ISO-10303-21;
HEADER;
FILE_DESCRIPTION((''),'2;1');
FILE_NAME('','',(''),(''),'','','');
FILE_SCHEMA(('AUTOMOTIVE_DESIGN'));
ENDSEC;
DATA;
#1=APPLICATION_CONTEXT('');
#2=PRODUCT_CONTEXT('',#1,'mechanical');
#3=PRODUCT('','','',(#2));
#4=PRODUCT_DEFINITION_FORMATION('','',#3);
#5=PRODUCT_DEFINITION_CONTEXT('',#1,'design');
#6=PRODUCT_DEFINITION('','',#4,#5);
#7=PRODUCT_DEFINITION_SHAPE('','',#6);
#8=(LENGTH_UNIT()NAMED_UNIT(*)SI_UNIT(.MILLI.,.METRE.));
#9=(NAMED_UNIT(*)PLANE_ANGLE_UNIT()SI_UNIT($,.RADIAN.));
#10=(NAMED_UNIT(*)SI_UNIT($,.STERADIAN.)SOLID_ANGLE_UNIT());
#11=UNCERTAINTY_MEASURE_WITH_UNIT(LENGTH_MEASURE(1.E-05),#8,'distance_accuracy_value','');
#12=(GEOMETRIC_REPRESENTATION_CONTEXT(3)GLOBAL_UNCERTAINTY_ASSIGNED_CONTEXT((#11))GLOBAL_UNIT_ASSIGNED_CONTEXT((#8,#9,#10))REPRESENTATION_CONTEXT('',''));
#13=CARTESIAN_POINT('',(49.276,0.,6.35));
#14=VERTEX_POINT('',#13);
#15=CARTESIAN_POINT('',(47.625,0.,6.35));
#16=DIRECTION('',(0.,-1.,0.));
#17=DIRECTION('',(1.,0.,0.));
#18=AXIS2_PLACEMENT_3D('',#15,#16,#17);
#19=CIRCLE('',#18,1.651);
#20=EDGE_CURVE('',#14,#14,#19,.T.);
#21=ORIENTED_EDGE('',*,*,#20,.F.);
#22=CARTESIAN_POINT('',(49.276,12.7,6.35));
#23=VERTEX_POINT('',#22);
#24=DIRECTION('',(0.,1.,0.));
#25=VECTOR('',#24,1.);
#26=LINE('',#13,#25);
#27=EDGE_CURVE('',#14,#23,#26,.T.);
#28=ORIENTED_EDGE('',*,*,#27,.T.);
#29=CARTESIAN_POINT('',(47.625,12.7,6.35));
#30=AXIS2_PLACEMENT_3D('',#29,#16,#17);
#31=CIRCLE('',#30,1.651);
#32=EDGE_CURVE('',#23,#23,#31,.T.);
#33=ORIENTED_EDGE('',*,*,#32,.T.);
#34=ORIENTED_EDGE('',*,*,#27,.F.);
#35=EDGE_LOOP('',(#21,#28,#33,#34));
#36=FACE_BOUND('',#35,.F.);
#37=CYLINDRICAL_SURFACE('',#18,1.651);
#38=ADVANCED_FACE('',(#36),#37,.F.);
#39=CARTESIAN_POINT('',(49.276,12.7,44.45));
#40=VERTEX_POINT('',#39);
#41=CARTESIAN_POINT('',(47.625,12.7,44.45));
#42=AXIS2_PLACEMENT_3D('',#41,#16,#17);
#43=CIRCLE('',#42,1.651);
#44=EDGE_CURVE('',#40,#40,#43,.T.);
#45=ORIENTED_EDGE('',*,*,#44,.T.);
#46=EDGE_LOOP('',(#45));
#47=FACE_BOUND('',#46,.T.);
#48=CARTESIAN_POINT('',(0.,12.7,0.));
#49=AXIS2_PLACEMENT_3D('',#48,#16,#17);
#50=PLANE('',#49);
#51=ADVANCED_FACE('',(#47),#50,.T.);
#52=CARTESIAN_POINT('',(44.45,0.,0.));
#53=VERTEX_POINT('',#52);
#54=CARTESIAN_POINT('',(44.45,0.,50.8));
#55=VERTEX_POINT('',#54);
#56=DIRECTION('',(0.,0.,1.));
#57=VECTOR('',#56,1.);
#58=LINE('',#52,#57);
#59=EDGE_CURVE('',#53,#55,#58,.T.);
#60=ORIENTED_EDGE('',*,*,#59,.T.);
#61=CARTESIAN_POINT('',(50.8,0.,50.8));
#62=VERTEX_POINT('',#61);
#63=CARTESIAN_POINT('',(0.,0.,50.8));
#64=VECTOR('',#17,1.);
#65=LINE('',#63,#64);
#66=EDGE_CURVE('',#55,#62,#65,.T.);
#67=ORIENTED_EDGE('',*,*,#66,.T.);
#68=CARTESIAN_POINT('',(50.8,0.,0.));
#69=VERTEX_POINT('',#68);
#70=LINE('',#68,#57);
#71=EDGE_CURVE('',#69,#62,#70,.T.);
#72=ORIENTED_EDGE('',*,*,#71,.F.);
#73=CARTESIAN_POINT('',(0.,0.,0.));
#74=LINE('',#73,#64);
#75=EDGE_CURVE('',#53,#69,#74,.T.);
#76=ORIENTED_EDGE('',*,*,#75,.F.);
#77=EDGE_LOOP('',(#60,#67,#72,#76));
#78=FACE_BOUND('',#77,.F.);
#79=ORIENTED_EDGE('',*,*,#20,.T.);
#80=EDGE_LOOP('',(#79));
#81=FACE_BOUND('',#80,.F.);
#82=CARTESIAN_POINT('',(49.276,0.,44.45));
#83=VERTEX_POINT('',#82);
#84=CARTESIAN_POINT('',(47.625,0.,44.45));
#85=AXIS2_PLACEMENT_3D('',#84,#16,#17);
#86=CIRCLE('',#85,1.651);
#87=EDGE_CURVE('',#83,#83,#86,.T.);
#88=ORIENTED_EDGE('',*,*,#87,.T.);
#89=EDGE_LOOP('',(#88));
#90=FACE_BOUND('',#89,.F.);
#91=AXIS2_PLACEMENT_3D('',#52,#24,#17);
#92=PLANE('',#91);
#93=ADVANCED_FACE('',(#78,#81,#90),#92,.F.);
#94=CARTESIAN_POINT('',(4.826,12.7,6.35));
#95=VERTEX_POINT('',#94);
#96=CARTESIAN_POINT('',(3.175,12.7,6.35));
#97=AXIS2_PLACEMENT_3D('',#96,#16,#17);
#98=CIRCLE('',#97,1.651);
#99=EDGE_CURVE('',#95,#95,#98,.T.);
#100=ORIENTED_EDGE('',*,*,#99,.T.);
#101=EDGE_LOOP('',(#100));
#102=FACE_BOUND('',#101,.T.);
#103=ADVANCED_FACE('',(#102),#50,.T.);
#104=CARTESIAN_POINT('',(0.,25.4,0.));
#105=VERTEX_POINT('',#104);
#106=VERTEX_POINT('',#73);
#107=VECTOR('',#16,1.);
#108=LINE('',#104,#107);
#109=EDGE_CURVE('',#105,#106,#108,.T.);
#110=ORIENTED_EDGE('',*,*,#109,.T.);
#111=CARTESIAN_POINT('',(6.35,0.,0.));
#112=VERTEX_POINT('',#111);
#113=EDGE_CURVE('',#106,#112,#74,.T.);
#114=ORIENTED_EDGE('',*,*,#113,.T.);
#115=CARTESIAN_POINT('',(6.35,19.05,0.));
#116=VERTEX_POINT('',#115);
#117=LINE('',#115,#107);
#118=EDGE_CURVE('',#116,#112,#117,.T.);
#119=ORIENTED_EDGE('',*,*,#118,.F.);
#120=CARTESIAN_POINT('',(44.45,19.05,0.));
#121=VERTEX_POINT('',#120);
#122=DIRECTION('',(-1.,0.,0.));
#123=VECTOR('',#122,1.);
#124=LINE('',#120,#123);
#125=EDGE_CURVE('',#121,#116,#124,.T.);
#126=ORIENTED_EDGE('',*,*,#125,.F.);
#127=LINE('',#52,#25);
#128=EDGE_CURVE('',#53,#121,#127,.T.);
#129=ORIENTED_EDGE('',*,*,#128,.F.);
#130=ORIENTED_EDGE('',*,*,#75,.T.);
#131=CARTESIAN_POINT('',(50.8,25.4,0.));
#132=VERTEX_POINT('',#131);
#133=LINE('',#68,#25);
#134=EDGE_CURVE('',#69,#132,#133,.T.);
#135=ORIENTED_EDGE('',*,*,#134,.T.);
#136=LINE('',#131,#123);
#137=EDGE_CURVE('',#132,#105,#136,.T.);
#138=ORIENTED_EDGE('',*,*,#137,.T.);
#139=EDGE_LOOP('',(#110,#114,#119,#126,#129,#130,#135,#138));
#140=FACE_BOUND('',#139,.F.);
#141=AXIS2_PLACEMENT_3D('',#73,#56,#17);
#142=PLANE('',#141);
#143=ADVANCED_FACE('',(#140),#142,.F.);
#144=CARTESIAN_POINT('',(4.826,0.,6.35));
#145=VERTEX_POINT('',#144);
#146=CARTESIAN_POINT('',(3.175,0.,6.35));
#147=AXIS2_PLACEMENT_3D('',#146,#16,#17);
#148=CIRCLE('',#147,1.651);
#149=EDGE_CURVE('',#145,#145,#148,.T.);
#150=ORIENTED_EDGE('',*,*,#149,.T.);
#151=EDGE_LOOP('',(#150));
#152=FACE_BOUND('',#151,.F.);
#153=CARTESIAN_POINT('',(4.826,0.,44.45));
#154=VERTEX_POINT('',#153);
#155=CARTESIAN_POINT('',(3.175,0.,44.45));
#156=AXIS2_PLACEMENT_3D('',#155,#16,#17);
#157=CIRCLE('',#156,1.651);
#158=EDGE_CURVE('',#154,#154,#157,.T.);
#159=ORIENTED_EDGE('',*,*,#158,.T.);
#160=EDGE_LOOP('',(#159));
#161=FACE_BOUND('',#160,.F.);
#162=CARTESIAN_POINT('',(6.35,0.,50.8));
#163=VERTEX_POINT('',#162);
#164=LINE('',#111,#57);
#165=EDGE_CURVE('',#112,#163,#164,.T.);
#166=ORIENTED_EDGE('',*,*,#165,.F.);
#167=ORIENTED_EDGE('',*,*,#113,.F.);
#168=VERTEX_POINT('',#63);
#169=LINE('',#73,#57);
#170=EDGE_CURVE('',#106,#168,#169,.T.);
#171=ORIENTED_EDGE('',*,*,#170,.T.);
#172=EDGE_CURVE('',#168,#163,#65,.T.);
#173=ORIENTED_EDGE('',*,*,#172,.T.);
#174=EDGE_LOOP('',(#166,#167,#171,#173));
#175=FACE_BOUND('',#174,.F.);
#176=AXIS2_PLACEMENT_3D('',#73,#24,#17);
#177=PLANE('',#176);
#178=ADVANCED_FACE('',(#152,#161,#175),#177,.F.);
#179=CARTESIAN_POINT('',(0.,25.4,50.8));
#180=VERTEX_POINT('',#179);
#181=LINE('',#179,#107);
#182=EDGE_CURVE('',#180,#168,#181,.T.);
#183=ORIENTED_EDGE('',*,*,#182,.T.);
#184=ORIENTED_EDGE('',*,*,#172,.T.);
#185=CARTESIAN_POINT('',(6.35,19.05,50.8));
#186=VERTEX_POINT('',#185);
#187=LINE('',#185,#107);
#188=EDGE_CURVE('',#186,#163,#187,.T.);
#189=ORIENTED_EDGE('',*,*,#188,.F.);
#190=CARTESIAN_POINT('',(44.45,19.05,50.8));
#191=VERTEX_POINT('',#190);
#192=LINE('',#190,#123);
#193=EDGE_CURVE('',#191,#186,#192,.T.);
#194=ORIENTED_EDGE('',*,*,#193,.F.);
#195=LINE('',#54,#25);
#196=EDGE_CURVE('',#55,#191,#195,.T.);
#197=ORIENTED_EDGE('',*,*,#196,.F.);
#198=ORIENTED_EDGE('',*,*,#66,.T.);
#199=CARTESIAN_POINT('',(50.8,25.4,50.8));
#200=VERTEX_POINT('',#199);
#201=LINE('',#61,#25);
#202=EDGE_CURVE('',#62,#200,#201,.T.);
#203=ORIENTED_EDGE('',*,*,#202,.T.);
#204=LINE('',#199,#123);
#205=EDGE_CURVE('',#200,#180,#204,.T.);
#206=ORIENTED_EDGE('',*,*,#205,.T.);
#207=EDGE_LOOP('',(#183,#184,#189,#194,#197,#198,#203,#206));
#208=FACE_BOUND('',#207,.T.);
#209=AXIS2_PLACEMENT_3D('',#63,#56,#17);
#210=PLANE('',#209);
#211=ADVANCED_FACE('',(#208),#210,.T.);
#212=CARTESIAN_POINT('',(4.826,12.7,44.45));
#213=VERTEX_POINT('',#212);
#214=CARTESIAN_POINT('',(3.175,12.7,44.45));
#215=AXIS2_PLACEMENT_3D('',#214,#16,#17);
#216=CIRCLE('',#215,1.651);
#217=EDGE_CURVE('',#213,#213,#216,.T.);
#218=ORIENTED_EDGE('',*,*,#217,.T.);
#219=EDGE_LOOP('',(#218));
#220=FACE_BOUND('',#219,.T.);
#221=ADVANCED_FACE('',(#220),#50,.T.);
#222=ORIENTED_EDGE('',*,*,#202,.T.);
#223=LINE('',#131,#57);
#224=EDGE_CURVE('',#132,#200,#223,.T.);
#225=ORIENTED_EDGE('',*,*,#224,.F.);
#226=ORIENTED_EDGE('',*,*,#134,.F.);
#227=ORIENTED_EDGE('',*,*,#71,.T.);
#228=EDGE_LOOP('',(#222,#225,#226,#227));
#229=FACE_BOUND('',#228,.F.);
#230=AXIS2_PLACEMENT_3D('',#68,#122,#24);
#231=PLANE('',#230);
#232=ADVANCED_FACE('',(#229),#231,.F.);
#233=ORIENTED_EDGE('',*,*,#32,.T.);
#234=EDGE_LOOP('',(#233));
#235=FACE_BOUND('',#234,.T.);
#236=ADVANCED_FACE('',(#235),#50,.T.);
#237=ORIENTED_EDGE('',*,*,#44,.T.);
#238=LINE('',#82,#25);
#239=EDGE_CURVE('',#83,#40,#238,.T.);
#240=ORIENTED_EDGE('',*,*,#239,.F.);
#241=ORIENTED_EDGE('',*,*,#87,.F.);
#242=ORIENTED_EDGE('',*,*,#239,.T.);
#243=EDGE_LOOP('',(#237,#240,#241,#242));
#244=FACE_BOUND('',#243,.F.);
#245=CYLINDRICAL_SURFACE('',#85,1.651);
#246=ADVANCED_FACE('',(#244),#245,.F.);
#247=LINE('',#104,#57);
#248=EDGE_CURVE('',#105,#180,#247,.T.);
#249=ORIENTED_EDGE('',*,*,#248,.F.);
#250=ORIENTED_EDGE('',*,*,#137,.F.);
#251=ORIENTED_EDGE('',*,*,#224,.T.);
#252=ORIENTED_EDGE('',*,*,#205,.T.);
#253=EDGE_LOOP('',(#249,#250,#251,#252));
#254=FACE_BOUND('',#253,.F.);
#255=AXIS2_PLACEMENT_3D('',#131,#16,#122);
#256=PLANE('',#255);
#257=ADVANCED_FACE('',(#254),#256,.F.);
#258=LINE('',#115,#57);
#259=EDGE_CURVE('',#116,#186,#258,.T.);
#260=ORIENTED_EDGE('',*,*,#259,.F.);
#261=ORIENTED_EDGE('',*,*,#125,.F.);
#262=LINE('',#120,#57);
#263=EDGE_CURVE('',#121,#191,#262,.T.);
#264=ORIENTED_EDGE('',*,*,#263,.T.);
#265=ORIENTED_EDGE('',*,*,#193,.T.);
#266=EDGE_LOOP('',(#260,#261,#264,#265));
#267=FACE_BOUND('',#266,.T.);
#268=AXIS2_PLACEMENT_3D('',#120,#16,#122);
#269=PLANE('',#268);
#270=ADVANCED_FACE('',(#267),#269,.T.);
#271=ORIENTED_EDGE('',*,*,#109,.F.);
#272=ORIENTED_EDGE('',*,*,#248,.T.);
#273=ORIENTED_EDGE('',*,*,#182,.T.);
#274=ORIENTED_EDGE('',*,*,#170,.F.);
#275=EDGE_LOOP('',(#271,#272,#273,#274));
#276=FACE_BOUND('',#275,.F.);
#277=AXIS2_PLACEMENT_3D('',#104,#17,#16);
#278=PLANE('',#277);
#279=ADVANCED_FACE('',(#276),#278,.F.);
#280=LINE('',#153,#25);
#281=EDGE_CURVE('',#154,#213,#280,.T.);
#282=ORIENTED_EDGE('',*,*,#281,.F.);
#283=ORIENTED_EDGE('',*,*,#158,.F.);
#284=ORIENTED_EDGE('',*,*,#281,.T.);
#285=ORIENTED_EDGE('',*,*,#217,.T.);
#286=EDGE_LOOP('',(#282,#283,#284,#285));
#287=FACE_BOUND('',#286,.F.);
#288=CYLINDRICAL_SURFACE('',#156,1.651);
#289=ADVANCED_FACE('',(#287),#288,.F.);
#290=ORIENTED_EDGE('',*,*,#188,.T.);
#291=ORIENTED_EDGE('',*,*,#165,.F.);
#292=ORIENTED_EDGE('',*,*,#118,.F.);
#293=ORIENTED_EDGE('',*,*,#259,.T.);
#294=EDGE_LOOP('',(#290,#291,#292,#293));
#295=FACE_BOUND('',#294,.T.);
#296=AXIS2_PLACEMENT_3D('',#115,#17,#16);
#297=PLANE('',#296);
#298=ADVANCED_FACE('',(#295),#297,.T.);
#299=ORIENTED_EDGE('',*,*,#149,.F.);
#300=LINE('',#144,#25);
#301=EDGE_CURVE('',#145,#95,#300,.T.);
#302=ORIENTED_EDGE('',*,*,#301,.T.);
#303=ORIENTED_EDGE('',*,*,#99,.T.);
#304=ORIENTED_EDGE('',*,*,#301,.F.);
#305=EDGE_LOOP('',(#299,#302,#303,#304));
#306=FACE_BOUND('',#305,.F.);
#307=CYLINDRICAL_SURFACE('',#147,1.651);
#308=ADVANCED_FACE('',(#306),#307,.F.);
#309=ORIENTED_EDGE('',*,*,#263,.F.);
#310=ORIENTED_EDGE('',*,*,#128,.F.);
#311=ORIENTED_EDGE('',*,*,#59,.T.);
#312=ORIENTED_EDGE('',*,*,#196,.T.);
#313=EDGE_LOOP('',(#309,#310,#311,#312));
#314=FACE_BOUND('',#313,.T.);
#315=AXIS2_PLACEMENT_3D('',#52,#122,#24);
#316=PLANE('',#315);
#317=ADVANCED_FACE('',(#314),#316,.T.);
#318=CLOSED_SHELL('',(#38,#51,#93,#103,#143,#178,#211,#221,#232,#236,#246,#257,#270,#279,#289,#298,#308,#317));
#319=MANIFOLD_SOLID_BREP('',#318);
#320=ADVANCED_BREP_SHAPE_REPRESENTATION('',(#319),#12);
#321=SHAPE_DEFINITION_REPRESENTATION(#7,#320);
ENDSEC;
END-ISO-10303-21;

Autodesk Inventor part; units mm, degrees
ref_plane "YZ Plane" through (0, 0, 0) normal (1, 0, 0) x (0, 1, 0)
ref_plane "XZ Plane" through (0, 0, 0) normal (0, 1, 0) x (-1, 0, 0)
ref_plane "XY Plane" through (0, 0, 0) normal (0, 0, 1) x (1, 0, 0)
sketch "Sketch1" plane through (0, 0, 0) normal (0, 1, 0) x (-1, 0, 0)
  point P0 (0, 0)
sketch "Sketch2" plane through (0, 0, 0) normal (0, 0, 1) x (1, 0, 0)
  line L0 (0, 0) -> (50.8, 0)
  line L1 (50.8, 0) -> (50.8, 25.4)
  line L2 (50.8, 25.4) -> (0, 25.4)
  line L3 (0, 25.4) -> (0, 0)
  line L4 (6.35, 0) -> (44.45, 0)
  line L5 (44.45, 0) -> (44.45, 19.05)
  line L6 (44.45, 19.05) -> (6.35, 19.05)
  line L7 (6.35, 19.05) -> (6.35, 0)
  dimension "d0" = 6.35
  dimension "d1" = 6.35
  dimension "d2" = 6.35
  dimension "d3" = 38.1
  dimension "d4" = 25.4
extrude "Extrusion1" add sketch "Sketch2" along normal blind 50.8 contours L3 L2 L1 L0 L5 L6 L7
ref_plane "Work Plane1" through (25.4, 0, 0) normal (1, 0, 0) x (0, 0, -1)
sketch "Sketch4" plane through (0, 0, 0) normal (0, -1, 0) x (1, 0, 0)
  circle A0 centre (3.175, 44.45) radius 1.651
  line L0 (6.35, 0) -> (6.35, 50.8) projected
  line L1 (0, 50.8) -> (6.35, 50.8) projected
  circle A1 centre (3.175, 6.35) radius 1.651
  line L2 (0, 0) -> (6.35, 0) projected
  line L3 (50.8, 50.8) -> (0, 50.8) projected
  line L4 (25.4, 50.8) -> (25.4, 0)
  line L5 (50.8, 0) -> (0, 0) projected
  circle A2 centre (47.625, 44.45) radius 1.651
  circle A3 centre (47.625, 6.35) radius 1.651
  dimension "d13" = 3.302
  dimension "d14" = 3.175
  dimension "d15" = 6.35
  dimension "d16" = 3.302
  dimension "d17" = 6.35
extrude "Extrusion2" cut sketch "Sketch4" against normal blind 12.7 contours A0 | A1 | A2 | A3
properties part number "WIREBRIDGE" material "ABS Plastic"
